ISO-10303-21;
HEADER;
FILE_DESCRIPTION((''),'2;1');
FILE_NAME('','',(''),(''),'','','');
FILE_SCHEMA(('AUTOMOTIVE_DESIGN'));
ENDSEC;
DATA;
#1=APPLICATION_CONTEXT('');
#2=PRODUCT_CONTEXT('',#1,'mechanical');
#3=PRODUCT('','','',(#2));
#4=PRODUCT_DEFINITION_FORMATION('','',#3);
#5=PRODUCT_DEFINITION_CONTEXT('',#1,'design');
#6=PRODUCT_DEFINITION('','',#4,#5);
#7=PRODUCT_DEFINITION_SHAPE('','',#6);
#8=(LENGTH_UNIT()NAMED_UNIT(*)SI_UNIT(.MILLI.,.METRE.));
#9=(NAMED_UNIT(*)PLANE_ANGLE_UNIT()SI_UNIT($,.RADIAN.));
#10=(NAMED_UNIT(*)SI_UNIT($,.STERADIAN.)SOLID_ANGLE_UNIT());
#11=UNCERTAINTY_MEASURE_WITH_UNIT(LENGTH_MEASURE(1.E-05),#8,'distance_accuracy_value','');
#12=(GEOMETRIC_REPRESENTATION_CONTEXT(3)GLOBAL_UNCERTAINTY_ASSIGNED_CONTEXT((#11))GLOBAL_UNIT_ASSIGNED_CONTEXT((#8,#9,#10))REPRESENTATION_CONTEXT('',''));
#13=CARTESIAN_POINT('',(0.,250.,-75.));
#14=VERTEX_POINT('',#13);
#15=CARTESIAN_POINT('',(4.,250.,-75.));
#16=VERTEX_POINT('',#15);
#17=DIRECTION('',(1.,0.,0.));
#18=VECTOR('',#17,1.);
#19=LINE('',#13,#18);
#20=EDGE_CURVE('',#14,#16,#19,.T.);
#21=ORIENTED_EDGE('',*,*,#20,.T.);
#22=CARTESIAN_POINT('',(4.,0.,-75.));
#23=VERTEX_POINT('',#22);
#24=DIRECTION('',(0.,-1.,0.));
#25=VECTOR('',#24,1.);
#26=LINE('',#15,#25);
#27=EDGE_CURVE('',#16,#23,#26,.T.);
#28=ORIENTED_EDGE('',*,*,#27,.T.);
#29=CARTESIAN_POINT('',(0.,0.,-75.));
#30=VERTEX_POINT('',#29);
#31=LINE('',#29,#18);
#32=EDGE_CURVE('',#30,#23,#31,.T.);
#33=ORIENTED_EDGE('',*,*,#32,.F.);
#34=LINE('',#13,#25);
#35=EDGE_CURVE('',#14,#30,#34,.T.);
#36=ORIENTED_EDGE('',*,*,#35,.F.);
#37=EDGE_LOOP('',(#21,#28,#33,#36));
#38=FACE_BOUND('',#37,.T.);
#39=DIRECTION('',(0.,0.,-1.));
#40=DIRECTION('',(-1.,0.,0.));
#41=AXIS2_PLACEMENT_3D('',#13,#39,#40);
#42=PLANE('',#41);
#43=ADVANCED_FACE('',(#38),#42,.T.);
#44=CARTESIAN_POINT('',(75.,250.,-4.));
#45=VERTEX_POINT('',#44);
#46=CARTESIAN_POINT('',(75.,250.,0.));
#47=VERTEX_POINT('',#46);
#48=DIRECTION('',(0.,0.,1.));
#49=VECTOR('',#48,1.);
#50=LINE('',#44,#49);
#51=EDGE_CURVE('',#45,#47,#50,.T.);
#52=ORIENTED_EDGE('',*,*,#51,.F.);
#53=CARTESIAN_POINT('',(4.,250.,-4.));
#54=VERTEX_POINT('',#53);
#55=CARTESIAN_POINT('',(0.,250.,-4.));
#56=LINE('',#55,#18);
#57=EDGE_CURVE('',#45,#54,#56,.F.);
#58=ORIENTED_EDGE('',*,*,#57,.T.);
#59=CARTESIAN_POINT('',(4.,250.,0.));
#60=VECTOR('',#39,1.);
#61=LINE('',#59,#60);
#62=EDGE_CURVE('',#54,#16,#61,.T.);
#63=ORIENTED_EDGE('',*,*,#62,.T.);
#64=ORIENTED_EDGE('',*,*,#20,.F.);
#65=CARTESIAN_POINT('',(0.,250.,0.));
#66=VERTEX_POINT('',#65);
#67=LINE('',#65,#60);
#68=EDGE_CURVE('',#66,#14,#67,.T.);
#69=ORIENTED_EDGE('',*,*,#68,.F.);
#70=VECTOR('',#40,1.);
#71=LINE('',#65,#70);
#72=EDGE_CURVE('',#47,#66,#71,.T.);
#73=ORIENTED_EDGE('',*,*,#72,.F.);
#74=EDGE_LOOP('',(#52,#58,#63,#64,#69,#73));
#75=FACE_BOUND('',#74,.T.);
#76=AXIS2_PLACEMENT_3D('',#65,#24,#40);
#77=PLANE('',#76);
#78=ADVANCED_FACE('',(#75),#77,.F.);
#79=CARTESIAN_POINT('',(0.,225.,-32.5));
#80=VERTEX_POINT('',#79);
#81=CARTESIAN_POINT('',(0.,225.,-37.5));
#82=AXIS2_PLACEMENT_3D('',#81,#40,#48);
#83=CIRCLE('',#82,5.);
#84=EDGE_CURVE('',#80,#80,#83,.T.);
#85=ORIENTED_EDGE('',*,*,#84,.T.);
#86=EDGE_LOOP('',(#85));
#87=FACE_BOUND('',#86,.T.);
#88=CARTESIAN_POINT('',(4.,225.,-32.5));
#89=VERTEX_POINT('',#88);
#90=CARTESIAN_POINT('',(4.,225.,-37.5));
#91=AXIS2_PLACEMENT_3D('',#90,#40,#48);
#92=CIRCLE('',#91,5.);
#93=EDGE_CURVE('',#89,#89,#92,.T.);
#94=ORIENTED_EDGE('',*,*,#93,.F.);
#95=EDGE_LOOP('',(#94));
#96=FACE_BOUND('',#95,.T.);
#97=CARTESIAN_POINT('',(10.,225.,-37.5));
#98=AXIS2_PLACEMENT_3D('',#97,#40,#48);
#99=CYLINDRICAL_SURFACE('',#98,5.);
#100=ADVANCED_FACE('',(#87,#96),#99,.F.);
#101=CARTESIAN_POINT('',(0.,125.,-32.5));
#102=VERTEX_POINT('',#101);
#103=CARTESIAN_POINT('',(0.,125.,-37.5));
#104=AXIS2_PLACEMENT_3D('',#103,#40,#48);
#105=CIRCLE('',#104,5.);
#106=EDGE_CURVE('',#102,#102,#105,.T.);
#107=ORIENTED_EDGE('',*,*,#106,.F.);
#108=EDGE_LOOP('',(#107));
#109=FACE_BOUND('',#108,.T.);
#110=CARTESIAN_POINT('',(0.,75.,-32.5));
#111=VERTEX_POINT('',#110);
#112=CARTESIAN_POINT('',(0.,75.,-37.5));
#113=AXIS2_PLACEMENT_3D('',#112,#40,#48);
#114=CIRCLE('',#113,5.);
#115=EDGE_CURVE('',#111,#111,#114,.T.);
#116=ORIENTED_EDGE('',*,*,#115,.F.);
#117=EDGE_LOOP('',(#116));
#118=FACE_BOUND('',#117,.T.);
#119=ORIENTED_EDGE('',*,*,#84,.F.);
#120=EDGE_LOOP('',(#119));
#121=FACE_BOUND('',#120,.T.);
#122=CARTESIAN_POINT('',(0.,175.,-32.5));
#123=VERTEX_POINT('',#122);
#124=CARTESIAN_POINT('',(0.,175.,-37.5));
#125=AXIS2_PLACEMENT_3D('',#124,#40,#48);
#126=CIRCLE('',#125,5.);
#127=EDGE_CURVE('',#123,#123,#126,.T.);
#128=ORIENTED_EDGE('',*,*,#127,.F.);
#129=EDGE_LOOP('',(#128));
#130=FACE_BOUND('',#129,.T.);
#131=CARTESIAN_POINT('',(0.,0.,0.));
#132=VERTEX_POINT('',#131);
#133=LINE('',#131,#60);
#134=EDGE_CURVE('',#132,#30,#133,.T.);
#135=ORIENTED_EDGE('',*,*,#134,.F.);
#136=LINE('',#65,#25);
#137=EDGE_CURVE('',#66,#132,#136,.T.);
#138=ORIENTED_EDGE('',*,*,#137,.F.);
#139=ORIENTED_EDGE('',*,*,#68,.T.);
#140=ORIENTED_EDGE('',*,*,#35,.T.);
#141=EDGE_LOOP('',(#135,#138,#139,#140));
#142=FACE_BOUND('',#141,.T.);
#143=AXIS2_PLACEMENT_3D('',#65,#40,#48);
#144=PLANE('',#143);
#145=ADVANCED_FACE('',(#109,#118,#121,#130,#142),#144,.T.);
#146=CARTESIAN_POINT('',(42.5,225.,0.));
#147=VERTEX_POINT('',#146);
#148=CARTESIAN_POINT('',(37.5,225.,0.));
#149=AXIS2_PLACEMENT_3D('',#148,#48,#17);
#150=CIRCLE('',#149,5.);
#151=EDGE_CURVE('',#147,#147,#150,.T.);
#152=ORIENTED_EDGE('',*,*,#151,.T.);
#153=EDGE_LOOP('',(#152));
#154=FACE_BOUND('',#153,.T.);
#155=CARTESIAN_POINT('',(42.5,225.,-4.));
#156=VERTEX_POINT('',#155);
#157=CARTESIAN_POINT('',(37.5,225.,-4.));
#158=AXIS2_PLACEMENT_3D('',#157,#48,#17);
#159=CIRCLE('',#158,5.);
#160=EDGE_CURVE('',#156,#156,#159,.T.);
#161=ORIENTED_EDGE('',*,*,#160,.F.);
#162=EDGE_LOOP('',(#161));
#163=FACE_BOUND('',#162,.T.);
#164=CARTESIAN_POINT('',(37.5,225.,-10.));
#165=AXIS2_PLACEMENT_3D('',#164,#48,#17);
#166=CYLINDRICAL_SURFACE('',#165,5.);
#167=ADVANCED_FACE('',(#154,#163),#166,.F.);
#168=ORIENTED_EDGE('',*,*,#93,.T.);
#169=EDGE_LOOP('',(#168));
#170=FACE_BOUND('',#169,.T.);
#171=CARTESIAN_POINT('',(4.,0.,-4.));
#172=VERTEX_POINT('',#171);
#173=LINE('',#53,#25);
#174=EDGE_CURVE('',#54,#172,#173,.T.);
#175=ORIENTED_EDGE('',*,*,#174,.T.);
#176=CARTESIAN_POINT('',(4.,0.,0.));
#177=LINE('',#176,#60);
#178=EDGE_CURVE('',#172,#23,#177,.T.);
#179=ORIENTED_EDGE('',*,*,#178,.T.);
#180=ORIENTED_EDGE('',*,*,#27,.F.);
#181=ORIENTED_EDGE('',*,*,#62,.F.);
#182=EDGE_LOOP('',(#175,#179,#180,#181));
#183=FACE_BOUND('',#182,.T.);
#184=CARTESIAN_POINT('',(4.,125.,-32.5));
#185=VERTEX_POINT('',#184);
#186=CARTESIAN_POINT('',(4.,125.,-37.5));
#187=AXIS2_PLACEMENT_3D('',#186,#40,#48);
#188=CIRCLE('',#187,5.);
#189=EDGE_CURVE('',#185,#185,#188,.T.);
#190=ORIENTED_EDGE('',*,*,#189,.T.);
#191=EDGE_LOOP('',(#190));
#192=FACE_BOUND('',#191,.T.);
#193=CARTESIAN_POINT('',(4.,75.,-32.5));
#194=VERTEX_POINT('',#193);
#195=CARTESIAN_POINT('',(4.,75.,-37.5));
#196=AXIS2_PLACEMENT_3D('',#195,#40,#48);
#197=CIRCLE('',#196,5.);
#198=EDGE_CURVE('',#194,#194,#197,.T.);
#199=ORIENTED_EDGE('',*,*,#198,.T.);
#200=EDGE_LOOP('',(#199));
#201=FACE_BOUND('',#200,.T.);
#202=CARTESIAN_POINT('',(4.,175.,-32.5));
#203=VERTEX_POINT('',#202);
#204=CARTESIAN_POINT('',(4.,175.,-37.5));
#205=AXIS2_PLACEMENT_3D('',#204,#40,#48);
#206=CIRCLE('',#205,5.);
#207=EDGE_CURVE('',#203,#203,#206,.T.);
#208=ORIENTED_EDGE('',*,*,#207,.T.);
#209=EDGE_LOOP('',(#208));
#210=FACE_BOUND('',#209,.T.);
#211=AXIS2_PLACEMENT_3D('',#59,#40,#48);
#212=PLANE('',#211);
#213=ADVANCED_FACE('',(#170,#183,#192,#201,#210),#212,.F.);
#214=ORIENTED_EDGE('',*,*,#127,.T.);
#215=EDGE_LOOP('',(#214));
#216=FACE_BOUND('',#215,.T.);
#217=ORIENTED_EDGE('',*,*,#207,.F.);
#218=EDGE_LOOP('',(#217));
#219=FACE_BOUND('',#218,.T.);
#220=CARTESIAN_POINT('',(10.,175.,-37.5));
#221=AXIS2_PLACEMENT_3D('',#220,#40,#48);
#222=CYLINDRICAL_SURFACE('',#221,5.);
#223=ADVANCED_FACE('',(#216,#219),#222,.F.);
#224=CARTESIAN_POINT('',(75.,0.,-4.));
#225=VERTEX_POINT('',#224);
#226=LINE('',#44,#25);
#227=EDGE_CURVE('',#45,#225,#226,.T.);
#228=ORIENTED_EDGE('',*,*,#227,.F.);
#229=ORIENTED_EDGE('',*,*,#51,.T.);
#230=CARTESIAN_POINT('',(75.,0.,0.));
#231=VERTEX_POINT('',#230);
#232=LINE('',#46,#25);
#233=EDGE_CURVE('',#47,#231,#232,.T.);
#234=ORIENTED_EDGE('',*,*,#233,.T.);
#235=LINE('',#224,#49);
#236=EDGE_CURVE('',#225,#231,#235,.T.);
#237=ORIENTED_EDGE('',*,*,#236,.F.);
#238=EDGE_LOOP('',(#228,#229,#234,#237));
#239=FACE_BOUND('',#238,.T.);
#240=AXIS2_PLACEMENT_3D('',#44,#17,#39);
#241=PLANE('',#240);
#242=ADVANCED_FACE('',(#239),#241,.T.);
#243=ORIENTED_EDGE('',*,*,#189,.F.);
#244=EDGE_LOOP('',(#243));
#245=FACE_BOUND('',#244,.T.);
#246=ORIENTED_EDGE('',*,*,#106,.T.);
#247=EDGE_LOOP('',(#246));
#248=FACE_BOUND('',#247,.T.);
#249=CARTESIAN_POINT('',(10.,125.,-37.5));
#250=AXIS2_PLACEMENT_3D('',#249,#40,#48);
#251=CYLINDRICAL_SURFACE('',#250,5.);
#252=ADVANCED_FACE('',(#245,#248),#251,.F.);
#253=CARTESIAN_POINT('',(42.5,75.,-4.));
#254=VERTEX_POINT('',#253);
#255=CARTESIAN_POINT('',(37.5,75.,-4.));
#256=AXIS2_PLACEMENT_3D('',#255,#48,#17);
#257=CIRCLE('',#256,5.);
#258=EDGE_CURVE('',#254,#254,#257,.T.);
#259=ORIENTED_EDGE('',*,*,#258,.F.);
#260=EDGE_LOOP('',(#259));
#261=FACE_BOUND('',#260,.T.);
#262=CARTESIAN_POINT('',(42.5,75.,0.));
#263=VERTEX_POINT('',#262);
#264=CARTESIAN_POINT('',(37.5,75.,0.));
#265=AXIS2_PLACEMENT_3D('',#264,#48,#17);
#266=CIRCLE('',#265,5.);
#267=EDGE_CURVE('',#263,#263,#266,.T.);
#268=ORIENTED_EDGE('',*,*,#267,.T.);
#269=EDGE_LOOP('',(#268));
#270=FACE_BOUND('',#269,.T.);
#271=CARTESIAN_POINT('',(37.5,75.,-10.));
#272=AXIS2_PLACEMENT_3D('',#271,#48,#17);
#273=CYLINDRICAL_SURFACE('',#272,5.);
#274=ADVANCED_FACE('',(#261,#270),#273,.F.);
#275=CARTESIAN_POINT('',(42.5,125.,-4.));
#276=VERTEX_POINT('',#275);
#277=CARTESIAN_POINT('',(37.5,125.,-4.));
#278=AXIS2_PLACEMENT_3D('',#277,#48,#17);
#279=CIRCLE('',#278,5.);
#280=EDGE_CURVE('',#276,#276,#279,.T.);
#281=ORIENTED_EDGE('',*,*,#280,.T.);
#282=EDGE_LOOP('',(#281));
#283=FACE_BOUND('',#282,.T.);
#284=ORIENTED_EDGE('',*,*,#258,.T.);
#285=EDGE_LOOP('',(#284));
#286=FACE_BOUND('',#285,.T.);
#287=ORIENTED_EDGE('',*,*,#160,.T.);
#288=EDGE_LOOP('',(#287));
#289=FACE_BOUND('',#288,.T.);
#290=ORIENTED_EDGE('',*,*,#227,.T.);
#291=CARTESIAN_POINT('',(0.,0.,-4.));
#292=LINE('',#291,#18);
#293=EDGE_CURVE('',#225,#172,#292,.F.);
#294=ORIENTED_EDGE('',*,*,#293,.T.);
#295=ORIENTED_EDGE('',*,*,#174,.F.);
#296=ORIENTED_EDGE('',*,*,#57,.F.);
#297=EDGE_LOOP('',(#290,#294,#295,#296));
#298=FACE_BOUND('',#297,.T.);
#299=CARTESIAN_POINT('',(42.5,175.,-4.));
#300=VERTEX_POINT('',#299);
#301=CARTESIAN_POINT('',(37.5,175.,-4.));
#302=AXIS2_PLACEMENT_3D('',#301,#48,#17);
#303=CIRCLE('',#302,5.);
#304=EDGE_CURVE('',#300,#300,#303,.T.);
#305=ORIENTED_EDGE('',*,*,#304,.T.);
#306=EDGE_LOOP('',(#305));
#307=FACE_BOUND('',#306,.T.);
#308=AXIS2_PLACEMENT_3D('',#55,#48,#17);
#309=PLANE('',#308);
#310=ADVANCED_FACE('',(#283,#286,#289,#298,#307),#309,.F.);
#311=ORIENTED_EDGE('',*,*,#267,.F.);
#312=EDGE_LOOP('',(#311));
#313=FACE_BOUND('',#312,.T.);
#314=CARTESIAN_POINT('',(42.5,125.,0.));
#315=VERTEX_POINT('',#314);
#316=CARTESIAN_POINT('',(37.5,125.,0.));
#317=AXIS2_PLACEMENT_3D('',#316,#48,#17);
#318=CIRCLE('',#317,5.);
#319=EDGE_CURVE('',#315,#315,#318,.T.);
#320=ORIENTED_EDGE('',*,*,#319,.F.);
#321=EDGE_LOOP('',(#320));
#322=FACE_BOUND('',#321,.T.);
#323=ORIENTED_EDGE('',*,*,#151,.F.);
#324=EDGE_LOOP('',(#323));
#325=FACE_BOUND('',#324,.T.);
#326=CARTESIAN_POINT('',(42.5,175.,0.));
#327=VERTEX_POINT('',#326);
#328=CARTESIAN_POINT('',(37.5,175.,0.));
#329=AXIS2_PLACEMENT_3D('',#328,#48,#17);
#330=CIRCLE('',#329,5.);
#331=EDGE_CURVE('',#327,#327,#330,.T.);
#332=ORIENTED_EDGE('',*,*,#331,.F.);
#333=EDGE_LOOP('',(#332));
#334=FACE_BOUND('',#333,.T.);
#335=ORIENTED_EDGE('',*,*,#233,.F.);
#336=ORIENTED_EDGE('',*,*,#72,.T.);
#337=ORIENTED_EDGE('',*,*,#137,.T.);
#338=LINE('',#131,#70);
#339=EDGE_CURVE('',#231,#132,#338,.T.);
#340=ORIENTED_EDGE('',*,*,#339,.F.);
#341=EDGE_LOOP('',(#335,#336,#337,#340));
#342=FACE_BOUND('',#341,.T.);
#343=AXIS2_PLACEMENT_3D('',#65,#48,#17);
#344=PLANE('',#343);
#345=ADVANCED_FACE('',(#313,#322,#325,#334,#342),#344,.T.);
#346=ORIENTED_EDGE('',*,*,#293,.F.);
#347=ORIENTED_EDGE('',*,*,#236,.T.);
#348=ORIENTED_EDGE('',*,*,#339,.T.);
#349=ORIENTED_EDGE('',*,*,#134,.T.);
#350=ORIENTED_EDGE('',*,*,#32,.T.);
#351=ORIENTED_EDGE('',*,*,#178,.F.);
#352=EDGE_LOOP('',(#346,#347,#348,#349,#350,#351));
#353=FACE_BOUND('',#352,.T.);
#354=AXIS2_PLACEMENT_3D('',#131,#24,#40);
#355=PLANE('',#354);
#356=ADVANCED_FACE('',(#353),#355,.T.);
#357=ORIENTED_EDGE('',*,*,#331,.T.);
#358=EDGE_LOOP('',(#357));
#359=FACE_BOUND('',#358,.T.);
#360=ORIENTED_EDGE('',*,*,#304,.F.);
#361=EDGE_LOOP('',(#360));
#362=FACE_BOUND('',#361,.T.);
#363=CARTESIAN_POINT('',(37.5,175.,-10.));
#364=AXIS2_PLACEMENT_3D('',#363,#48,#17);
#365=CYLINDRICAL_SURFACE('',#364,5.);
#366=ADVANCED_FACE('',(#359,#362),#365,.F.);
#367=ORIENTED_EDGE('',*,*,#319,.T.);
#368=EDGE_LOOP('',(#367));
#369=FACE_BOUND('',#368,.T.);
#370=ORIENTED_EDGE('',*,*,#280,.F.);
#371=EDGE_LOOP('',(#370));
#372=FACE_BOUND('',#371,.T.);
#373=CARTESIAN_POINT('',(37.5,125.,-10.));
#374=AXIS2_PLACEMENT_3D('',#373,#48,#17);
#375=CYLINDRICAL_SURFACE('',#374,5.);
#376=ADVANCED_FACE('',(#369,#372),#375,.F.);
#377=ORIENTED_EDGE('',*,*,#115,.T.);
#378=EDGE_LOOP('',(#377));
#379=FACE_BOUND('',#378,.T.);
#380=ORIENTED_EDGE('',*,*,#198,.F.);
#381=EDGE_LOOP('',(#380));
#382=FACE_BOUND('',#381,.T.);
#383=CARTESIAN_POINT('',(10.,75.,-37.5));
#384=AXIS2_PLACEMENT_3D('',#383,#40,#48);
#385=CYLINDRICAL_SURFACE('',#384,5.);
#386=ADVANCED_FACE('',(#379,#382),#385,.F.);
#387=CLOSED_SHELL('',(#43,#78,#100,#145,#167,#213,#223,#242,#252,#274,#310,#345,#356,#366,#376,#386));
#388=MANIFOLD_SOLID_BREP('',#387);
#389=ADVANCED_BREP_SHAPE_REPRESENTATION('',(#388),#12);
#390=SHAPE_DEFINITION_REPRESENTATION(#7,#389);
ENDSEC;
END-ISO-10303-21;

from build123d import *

# Parameters (mm, degrees)
EXTRUDE_1_DEPTH     = 250
SKETCH_2_R          = 5
CUT_EXTRUDE_1_DEPTH = 10
SKETCH_3_R          = 5
CUT_EXTRUDE_2_DEPTH = 10


with BuildPart() as part:
    # Эскиз1 → Вытянуть-Тонкостенный1 (new body)
    with BuildSketch(Plane(origin=(0, 0, 0), x_dir=(1, 0, 0), z_dir=(0, 1, 0))):
        Polygon((0, 75), (0, 0), (75, 0), (75, 4), (4, 4), (4, 75), align=None)
    extrude(amount=EXTRUDE_1_DEPTH)

    # Эскиз2 → Вырез-Вытянуть1 (cut)
    with BuildSketch(Plane.XY):
        with Locations((37.5, 225)):
            Circle(SKETCH_2_R)
        with Locations((37.5, 175)):
            Circle(SKETCH_2_R)
        with Locations((37.5, 125)):
            Circle(SKETCH_2_R)
        with Locations((37.5, 75)):
            Circle(SKETCH_2_R)
    extrude(amount=-CUT_EXTRUDE_1_DEPTH, mode=Mode.SUBTRACT)

    # Эскиз3 → Вырез-Вытянуть2 (cut)
    with BuildSketch(Plane.ZY):
        with Locations((-37.5, 225)):
            Circle(SKETCH_3_R)
        with Locations((-37.5, 175)):
            Circle(SKETCH_3_R)
        with Locations((-37.5, 125)):
            Circle(SKETCH_3_R)
        with Locations((-37.5, 75)):
            Circle(SKETCH_3_R)
    extrude(amount=-CUT_EXTRUDE_2_DEPTH, mode=Mode.SUBTRACT)


solid = part.part
